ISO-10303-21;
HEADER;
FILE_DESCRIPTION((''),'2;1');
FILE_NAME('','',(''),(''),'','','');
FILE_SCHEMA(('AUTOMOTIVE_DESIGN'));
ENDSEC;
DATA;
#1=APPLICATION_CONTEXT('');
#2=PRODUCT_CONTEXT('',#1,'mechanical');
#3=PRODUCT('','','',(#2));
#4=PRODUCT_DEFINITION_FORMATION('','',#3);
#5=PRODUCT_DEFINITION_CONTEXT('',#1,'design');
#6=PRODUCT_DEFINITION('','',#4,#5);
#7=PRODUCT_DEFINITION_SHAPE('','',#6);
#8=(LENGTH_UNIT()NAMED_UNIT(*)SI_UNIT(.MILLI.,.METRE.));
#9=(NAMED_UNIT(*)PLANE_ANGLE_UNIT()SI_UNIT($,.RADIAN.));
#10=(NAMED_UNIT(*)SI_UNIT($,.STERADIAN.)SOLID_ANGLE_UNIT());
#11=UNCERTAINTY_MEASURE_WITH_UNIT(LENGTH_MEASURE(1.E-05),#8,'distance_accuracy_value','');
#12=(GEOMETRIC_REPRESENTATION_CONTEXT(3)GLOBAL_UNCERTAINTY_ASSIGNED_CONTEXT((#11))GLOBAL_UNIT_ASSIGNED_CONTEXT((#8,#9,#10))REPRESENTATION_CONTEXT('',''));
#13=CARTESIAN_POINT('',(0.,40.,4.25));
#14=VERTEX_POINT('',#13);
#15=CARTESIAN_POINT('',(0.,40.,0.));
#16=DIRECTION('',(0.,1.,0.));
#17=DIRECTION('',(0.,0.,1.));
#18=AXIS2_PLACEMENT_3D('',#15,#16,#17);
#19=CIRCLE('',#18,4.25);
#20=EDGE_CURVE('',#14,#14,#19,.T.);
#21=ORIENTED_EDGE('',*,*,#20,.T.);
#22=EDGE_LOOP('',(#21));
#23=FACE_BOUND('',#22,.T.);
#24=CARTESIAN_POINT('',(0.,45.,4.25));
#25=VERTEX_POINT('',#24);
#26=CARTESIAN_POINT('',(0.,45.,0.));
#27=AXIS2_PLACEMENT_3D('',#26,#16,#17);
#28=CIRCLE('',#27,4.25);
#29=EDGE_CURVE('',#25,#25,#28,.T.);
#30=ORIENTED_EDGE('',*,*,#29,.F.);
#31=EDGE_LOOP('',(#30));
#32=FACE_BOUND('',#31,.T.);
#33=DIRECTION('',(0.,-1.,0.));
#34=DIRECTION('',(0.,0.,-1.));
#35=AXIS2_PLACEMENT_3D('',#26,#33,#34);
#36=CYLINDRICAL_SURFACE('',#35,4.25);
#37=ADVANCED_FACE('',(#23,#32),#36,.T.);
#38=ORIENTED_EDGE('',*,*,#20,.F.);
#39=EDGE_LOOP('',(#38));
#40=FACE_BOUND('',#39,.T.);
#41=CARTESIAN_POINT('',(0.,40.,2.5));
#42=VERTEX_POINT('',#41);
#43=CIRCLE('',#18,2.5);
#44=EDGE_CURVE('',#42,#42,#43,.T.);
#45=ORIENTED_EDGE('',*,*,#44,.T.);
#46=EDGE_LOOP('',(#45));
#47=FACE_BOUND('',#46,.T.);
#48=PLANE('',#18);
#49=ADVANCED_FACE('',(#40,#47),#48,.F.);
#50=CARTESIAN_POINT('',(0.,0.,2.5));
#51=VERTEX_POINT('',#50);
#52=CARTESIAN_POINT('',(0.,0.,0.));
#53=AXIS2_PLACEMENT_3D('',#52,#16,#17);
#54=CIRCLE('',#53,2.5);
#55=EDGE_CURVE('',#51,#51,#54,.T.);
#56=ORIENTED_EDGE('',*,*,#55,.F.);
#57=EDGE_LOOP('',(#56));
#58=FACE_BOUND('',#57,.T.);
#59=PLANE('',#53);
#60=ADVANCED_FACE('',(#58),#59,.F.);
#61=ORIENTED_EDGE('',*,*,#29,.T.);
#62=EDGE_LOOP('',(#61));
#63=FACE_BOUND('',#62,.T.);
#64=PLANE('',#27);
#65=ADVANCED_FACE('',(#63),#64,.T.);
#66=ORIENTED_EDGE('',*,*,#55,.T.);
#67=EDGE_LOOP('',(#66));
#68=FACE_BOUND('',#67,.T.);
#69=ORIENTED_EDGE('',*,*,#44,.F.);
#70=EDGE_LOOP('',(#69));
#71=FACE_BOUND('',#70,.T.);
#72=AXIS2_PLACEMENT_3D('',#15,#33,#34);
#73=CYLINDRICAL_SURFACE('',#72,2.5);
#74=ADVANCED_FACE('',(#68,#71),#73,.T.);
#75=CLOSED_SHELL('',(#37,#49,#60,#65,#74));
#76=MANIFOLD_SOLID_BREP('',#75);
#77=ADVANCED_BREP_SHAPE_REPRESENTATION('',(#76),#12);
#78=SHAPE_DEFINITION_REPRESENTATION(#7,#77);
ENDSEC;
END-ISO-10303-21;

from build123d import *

# Parameters (mm, degrees)
SKETCH1_R           = 2.5
BOSS_EXTRUDE1_DEPTH = 40
SKETCH2_R           = 4.25
BOSS_EXTRUDE2_DEPTH = 5


with BuildPart() as part:
    # Sketch1 → Boss-Extrude1 (new body)
    with BuildSketch(Plane(origin=(0, 0, 0), x_dir=(1, 0, 0), z_dir=(0, 1, 0))):
        with Locations(Location((0, 0, 0), (0, 0, 270))):
            Circle(SKETCH1_R)
    extrude(amount=BOSS_EXTRUDE1_DEPTH)

    # Sketch2 → Boss-Extrude2 (add)
    with BuildSketch(Plane(origin=(0, 40, 0), x_dir=(1, 0, 0), z_dir=(0, 1, 0))):
        with Locations(Location((0, 0, 0), (0, 0, 270))):
            Circle(SKETCH2_R)
    extrude(amount=BOSS_EXTRUDE2_DEPTH)


solid = part.part
